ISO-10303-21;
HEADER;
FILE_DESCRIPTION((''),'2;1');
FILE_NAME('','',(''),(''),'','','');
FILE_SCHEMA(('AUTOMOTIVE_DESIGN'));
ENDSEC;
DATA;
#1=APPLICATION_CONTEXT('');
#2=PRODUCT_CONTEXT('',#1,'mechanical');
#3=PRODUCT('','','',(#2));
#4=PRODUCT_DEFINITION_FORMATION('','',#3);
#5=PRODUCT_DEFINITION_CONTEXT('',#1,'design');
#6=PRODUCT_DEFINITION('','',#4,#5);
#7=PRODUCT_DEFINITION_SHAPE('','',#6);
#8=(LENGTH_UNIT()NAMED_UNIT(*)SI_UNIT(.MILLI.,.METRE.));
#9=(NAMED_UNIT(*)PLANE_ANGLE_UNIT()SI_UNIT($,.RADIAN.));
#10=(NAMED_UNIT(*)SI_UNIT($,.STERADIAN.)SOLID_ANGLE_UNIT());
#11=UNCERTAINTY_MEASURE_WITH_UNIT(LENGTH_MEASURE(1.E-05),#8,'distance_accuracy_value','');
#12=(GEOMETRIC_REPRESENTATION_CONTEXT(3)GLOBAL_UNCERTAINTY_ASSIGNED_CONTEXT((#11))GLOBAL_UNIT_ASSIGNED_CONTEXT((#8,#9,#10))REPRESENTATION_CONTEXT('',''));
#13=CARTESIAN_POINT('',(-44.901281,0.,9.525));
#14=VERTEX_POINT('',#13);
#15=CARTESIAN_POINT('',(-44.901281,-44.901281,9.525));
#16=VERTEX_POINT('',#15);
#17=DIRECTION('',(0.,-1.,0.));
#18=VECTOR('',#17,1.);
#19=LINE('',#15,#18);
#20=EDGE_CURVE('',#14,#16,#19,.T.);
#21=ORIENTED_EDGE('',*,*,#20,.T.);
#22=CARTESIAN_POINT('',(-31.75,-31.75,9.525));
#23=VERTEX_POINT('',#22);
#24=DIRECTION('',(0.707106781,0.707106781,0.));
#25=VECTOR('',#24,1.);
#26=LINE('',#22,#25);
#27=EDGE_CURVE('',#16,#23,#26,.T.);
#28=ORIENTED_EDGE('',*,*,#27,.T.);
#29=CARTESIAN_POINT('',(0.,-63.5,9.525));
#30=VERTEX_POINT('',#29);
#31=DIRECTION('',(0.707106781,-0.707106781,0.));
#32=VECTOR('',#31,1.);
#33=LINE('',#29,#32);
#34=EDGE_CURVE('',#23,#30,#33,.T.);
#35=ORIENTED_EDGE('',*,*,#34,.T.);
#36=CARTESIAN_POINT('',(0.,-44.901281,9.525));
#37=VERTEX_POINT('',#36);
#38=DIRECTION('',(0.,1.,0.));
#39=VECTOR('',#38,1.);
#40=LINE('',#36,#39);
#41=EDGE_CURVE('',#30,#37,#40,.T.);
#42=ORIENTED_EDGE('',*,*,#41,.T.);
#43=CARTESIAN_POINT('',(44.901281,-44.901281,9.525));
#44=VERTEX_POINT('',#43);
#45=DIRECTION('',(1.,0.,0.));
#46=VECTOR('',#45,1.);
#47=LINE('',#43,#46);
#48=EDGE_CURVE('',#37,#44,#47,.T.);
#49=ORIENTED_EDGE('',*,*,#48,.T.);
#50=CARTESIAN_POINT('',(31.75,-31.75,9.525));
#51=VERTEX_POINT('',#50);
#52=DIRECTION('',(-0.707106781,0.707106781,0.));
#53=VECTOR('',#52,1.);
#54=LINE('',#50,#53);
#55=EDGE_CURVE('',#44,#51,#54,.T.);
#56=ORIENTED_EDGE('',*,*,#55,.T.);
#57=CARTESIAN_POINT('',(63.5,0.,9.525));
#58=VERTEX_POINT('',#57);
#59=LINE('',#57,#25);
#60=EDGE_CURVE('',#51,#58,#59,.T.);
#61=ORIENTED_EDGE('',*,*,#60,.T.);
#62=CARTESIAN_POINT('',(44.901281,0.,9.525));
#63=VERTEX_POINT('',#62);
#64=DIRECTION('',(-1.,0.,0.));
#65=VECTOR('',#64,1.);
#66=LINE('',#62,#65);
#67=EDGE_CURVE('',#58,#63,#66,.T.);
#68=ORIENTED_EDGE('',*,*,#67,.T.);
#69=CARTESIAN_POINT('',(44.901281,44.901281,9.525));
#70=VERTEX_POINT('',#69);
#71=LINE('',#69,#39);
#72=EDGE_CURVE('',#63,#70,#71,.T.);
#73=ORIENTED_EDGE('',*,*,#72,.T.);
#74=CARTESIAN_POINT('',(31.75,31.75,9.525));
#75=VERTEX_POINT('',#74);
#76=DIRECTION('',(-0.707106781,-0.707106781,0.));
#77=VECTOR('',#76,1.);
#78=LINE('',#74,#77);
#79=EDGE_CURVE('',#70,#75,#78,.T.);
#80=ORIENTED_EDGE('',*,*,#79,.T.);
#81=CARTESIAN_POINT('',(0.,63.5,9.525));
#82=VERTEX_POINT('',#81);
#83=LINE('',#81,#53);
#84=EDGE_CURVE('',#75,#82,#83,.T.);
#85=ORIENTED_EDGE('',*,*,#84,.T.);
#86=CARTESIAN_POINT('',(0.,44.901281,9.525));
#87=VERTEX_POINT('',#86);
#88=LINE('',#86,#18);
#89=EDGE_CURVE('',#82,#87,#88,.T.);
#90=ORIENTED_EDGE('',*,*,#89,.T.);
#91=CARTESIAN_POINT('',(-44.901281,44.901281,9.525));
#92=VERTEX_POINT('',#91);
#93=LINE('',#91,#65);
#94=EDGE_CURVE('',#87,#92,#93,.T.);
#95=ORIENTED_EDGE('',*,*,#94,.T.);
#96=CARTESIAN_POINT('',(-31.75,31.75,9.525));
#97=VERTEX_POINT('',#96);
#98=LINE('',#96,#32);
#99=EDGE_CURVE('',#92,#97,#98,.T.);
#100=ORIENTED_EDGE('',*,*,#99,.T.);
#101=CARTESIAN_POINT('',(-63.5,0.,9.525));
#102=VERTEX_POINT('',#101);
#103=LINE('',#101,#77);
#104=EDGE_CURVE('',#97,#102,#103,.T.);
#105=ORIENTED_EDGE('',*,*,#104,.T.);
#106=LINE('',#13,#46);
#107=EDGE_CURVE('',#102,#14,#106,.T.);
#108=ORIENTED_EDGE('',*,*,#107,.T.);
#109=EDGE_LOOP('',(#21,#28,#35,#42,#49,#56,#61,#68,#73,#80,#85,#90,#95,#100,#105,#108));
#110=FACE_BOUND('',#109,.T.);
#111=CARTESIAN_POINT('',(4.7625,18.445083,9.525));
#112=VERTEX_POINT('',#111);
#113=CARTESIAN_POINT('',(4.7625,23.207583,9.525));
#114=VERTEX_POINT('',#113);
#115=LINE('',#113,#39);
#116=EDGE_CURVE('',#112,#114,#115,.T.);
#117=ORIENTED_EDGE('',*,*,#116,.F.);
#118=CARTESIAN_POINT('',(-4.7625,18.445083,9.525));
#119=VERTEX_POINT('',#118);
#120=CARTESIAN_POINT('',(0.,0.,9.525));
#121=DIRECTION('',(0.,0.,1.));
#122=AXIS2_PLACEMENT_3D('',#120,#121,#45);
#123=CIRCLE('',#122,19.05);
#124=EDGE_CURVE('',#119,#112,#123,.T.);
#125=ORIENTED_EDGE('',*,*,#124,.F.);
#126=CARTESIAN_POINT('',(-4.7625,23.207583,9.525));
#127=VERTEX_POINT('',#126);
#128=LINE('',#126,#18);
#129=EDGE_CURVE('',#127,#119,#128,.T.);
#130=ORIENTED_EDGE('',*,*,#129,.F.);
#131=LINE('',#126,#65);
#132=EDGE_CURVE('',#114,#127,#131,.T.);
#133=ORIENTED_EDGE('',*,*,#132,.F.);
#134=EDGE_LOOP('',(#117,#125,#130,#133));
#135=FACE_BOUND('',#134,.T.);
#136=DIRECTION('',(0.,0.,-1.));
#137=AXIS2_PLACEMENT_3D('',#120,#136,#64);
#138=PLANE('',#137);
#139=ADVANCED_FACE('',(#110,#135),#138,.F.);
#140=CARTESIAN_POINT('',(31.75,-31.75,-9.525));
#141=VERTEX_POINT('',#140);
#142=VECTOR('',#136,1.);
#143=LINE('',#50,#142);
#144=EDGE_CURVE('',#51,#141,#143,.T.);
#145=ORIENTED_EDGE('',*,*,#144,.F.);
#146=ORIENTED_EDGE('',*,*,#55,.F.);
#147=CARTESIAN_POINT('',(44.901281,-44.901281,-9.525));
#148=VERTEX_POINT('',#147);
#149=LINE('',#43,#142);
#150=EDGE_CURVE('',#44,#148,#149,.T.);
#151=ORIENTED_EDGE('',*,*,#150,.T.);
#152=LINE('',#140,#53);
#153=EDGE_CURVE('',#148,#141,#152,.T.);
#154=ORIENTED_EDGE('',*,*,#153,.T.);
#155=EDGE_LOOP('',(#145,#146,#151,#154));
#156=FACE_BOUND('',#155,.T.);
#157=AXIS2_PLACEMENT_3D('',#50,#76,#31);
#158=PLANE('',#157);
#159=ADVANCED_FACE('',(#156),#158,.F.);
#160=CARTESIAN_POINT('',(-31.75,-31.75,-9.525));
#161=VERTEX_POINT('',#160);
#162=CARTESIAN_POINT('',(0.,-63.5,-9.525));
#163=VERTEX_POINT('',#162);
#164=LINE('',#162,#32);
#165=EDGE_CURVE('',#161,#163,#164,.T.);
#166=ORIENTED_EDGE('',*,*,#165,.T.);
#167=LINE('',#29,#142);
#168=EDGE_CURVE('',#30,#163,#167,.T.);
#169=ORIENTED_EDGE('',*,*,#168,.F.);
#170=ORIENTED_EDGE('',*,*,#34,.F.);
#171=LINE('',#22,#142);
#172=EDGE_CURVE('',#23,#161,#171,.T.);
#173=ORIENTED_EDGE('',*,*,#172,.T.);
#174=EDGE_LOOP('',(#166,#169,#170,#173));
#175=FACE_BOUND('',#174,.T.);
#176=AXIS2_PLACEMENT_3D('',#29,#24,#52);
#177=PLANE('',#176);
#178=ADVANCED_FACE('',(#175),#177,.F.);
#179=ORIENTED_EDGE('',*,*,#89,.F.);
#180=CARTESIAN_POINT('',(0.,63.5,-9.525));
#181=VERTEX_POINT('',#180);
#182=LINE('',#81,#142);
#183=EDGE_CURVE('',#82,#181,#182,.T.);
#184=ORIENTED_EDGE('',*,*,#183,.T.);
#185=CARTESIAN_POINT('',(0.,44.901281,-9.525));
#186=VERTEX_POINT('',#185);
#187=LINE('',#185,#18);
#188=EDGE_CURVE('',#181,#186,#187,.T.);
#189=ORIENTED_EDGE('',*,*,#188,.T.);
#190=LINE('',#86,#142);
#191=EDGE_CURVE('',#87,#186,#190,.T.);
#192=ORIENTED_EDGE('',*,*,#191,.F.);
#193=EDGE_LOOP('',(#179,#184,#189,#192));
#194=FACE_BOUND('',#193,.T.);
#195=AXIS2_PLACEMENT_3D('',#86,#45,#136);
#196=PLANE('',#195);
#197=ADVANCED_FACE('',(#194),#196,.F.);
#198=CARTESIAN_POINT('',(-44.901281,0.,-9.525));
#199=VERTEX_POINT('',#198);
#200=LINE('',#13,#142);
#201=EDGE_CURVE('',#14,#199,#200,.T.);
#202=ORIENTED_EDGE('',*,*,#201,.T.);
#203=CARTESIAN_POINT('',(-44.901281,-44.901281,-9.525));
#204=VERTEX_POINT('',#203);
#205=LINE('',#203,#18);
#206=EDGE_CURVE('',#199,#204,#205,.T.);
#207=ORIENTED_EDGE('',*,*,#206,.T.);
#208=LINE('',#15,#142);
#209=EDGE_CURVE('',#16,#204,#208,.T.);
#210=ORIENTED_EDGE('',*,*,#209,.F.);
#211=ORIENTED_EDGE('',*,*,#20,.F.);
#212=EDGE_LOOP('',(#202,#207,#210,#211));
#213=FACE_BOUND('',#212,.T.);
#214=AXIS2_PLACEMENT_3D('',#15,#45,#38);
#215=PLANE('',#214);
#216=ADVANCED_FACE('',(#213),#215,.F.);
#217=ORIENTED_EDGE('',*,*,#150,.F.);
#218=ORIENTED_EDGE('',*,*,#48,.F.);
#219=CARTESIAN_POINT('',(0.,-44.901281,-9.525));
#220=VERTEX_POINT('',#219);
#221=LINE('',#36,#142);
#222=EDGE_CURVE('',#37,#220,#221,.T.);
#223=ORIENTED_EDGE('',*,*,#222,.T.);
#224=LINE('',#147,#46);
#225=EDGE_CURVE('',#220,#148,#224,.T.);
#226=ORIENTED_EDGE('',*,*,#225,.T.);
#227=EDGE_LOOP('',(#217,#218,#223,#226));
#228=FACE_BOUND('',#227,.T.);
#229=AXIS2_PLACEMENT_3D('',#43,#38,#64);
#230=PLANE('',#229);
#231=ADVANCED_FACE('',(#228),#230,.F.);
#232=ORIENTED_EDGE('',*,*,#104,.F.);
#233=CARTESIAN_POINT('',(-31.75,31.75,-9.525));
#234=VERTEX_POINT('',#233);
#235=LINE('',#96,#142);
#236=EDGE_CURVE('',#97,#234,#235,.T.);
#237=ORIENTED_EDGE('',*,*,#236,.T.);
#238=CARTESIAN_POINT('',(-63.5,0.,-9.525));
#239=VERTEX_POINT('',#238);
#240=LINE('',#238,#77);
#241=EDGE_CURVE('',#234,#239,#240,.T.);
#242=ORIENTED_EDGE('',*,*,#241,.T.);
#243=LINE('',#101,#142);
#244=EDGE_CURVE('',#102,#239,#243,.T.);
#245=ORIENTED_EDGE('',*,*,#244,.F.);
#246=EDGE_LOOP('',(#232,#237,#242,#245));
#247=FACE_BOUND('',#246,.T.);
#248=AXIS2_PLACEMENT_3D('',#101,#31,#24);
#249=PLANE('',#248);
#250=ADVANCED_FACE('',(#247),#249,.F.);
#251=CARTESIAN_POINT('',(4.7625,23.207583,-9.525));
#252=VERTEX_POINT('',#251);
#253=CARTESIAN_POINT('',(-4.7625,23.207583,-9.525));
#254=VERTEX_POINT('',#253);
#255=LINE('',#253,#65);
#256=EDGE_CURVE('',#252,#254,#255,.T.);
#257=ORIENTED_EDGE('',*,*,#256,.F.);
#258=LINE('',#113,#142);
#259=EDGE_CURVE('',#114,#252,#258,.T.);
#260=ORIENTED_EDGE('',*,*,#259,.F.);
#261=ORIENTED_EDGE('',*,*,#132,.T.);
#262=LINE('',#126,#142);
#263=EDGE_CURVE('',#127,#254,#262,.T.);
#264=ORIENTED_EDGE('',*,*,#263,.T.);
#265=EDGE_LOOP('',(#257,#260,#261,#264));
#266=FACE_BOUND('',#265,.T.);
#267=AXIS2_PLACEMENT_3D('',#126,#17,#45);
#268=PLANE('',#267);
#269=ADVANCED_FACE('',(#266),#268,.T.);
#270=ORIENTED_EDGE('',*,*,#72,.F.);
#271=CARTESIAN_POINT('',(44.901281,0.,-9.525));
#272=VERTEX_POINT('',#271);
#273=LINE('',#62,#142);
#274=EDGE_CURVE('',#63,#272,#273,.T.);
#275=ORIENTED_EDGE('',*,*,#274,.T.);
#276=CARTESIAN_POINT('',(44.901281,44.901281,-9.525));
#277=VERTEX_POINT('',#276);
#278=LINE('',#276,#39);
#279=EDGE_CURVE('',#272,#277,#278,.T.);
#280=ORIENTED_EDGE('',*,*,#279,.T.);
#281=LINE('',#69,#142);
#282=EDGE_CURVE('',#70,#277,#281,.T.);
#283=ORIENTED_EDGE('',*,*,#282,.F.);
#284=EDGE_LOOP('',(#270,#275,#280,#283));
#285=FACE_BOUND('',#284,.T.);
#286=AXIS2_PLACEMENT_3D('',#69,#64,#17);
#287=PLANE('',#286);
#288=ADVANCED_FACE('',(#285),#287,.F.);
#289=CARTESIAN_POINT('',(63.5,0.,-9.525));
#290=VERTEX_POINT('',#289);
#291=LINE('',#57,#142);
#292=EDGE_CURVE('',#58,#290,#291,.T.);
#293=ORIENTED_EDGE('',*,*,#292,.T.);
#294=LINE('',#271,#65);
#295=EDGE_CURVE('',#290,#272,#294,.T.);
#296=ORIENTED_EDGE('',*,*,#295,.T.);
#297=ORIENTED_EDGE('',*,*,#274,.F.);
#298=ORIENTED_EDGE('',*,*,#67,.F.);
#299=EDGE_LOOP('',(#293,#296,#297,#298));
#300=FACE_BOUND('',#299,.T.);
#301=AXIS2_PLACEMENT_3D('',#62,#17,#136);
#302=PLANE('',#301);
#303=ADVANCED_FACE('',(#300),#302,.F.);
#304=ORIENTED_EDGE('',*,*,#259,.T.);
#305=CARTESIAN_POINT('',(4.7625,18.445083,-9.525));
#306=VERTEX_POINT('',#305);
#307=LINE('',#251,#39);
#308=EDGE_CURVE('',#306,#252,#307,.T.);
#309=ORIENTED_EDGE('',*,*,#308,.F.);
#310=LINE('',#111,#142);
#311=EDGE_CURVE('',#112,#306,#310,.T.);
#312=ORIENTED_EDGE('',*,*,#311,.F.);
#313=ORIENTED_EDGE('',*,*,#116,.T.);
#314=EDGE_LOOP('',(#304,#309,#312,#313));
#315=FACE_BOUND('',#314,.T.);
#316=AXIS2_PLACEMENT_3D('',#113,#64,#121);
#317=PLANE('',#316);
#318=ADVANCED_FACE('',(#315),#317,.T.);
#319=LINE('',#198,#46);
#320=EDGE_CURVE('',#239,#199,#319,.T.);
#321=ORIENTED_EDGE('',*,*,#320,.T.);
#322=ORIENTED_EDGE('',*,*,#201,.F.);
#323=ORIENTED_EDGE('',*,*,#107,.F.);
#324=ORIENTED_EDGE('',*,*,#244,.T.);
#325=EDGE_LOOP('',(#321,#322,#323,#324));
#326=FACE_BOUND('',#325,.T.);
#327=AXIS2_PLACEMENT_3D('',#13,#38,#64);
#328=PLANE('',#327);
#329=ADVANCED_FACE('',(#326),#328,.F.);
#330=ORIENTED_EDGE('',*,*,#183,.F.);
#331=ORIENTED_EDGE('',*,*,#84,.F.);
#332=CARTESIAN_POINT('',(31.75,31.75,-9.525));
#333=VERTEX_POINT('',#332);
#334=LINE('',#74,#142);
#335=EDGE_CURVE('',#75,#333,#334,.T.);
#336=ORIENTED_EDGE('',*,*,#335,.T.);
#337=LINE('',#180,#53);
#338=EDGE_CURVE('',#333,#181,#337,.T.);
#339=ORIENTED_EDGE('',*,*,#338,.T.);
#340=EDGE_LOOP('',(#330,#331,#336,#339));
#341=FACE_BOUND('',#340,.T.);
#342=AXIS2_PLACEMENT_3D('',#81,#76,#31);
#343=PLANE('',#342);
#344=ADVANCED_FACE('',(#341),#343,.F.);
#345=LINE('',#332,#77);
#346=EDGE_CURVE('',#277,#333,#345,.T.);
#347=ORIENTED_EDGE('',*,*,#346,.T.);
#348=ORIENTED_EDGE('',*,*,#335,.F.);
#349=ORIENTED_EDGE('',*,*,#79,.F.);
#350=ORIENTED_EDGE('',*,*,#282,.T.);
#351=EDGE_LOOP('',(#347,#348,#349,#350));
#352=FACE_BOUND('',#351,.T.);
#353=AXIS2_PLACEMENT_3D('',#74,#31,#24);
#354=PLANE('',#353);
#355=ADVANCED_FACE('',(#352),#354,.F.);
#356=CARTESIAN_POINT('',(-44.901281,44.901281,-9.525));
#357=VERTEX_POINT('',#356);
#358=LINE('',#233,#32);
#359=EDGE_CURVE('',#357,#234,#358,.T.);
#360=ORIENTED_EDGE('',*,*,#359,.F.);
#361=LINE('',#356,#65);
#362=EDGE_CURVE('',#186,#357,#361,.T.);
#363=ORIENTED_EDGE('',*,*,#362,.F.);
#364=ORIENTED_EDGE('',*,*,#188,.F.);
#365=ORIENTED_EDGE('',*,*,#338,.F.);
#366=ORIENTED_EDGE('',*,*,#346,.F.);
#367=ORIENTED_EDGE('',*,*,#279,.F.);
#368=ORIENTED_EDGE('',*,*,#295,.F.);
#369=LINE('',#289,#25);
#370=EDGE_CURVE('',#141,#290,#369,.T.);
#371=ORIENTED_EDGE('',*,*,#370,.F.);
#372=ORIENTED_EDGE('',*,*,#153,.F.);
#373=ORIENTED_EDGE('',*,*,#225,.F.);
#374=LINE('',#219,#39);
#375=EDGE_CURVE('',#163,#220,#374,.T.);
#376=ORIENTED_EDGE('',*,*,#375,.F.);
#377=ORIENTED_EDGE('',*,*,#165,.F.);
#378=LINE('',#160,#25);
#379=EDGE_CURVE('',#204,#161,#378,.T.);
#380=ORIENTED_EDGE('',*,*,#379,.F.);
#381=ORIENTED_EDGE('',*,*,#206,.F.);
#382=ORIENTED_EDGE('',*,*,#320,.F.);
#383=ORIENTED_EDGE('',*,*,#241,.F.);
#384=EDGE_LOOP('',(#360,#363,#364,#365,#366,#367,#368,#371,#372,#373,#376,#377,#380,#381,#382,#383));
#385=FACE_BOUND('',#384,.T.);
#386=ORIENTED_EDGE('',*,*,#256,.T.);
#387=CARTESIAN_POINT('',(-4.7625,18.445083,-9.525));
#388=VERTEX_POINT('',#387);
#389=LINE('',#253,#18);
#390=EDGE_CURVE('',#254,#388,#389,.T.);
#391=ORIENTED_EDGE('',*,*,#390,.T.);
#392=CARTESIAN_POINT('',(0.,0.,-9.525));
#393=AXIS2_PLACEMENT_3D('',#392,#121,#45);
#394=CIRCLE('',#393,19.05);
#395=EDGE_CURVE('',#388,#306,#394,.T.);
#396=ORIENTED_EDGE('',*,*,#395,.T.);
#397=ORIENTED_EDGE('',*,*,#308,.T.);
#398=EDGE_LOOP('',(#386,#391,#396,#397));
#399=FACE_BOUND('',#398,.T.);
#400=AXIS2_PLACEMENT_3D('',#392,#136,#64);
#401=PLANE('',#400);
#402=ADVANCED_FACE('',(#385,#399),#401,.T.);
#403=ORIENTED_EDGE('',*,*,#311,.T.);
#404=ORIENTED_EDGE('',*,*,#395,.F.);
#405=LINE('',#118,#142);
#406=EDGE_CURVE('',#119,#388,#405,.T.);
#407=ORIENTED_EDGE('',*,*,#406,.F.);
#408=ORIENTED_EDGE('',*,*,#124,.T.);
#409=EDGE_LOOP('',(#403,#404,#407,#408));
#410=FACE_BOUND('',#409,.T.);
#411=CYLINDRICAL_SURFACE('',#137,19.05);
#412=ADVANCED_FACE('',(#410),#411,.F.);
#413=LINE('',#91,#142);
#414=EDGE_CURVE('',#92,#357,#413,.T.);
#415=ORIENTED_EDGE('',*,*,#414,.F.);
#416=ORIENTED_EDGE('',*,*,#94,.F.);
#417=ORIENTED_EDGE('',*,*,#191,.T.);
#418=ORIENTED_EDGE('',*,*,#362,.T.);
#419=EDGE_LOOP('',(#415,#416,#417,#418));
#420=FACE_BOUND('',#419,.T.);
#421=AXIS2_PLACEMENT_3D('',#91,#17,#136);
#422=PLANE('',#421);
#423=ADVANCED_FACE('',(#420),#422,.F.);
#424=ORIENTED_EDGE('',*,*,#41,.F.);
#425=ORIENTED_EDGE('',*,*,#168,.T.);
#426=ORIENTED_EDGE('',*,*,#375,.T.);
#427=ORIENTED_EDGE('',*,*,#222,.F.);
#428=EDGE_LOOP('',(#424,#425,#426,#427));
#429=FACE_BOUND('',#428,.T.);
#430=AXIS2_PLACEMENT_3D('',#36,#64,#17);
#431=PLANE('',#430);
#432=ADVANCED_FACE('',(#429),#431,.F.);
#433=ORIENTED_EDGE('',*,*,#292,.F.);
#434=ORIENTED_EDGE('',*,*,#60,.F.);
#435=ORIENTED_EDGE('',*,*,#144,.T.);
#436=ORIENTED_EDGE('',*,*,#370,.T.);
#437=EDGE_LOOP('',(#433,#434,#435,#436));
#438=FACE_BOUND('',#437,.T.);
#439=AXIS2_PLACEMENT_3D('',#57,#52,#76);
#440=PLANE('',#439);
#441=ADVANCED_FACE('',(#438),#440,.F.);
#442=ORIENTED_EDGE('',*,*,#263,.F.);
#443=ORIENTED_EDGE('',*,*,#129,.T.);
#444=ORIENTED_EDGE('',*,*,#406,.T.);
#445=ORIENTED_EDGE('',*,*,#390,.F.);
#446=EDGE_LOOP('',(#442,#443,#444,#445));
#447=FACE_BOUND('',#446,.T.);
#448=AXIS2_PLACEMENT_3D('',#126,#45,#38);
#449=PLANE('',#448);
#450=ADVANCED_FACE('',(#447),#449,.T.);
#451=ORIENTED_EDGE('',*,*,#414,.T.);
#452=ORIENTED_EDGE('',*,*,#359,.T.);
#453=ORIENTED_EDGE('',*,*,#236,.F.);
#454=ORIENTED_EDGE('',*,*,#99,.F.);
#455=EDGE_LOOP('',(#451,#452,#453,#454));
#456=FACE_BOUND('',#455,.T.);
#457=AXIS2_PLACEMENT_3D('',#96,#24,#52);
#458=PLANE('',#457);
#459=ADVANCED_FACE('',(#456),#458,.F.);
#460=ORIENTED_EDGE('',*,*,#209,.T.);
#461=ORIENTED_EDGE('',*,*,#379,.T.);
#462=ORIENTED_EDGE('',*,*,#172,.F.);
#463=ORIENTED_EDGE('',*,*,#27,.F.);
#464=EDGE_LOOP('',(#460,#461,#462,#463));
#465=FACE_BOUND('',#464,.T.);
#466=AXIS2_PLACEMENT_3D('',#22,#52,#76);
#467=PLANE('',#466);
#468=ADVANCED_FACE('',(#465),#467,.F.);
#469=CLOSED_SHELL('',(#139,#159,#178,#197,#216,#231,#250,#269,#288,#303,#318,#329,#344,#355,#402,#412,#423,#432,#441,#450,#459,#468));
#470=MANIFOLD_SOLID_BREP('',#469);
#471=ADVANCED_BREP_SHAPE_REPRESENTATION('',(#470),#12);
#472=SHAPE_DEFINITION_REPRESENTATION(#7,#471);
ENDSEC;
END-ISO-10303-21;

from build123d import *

# Parameters (mm, degrees)
BOSS_EXTRUDE1_DEPTH = 9.525


with BuildPart() as part:
    # Sketch1 → Boss-Extrude1 (new, symmetric)
    with BuildSketch(Plane.XY):
        Polygon((0, 63.5), (31.75, 31.75), (44.901280605, 44.901280605), (44.901280605, 0), (63.5, 0), (31.75, -31.75), (44.901280605, -44.901280605), (0, -44.901280605), (0, -63.5), (-31.75, -31.75), (-44.901280605, -44.901280605), (-44.901280605, 0), (-63.5, 0), (-31.75, 31.75), (-44.901280605, 44.901280605), (0, 44.901280605), align=None)
        with BuildLine():
            Line((-4.7625, 23.207583186), (4.7625, 23.207583186))
            Line((4.7625, 23.207583186), (4.7625, 18.445083186))
            ThreePointArc((4.7625, 18.445083186), (0, -19.05), (-4.7625, 18.445083186))
            Line((-4.7625, 18.445083186), (-4.7625, 23.207583186))
        make_face(mode=Mode.SUBTRACT)
    extrude(amount=BOSS_EXTRUDE1_DEPTH, both=True)


solid = part.part
